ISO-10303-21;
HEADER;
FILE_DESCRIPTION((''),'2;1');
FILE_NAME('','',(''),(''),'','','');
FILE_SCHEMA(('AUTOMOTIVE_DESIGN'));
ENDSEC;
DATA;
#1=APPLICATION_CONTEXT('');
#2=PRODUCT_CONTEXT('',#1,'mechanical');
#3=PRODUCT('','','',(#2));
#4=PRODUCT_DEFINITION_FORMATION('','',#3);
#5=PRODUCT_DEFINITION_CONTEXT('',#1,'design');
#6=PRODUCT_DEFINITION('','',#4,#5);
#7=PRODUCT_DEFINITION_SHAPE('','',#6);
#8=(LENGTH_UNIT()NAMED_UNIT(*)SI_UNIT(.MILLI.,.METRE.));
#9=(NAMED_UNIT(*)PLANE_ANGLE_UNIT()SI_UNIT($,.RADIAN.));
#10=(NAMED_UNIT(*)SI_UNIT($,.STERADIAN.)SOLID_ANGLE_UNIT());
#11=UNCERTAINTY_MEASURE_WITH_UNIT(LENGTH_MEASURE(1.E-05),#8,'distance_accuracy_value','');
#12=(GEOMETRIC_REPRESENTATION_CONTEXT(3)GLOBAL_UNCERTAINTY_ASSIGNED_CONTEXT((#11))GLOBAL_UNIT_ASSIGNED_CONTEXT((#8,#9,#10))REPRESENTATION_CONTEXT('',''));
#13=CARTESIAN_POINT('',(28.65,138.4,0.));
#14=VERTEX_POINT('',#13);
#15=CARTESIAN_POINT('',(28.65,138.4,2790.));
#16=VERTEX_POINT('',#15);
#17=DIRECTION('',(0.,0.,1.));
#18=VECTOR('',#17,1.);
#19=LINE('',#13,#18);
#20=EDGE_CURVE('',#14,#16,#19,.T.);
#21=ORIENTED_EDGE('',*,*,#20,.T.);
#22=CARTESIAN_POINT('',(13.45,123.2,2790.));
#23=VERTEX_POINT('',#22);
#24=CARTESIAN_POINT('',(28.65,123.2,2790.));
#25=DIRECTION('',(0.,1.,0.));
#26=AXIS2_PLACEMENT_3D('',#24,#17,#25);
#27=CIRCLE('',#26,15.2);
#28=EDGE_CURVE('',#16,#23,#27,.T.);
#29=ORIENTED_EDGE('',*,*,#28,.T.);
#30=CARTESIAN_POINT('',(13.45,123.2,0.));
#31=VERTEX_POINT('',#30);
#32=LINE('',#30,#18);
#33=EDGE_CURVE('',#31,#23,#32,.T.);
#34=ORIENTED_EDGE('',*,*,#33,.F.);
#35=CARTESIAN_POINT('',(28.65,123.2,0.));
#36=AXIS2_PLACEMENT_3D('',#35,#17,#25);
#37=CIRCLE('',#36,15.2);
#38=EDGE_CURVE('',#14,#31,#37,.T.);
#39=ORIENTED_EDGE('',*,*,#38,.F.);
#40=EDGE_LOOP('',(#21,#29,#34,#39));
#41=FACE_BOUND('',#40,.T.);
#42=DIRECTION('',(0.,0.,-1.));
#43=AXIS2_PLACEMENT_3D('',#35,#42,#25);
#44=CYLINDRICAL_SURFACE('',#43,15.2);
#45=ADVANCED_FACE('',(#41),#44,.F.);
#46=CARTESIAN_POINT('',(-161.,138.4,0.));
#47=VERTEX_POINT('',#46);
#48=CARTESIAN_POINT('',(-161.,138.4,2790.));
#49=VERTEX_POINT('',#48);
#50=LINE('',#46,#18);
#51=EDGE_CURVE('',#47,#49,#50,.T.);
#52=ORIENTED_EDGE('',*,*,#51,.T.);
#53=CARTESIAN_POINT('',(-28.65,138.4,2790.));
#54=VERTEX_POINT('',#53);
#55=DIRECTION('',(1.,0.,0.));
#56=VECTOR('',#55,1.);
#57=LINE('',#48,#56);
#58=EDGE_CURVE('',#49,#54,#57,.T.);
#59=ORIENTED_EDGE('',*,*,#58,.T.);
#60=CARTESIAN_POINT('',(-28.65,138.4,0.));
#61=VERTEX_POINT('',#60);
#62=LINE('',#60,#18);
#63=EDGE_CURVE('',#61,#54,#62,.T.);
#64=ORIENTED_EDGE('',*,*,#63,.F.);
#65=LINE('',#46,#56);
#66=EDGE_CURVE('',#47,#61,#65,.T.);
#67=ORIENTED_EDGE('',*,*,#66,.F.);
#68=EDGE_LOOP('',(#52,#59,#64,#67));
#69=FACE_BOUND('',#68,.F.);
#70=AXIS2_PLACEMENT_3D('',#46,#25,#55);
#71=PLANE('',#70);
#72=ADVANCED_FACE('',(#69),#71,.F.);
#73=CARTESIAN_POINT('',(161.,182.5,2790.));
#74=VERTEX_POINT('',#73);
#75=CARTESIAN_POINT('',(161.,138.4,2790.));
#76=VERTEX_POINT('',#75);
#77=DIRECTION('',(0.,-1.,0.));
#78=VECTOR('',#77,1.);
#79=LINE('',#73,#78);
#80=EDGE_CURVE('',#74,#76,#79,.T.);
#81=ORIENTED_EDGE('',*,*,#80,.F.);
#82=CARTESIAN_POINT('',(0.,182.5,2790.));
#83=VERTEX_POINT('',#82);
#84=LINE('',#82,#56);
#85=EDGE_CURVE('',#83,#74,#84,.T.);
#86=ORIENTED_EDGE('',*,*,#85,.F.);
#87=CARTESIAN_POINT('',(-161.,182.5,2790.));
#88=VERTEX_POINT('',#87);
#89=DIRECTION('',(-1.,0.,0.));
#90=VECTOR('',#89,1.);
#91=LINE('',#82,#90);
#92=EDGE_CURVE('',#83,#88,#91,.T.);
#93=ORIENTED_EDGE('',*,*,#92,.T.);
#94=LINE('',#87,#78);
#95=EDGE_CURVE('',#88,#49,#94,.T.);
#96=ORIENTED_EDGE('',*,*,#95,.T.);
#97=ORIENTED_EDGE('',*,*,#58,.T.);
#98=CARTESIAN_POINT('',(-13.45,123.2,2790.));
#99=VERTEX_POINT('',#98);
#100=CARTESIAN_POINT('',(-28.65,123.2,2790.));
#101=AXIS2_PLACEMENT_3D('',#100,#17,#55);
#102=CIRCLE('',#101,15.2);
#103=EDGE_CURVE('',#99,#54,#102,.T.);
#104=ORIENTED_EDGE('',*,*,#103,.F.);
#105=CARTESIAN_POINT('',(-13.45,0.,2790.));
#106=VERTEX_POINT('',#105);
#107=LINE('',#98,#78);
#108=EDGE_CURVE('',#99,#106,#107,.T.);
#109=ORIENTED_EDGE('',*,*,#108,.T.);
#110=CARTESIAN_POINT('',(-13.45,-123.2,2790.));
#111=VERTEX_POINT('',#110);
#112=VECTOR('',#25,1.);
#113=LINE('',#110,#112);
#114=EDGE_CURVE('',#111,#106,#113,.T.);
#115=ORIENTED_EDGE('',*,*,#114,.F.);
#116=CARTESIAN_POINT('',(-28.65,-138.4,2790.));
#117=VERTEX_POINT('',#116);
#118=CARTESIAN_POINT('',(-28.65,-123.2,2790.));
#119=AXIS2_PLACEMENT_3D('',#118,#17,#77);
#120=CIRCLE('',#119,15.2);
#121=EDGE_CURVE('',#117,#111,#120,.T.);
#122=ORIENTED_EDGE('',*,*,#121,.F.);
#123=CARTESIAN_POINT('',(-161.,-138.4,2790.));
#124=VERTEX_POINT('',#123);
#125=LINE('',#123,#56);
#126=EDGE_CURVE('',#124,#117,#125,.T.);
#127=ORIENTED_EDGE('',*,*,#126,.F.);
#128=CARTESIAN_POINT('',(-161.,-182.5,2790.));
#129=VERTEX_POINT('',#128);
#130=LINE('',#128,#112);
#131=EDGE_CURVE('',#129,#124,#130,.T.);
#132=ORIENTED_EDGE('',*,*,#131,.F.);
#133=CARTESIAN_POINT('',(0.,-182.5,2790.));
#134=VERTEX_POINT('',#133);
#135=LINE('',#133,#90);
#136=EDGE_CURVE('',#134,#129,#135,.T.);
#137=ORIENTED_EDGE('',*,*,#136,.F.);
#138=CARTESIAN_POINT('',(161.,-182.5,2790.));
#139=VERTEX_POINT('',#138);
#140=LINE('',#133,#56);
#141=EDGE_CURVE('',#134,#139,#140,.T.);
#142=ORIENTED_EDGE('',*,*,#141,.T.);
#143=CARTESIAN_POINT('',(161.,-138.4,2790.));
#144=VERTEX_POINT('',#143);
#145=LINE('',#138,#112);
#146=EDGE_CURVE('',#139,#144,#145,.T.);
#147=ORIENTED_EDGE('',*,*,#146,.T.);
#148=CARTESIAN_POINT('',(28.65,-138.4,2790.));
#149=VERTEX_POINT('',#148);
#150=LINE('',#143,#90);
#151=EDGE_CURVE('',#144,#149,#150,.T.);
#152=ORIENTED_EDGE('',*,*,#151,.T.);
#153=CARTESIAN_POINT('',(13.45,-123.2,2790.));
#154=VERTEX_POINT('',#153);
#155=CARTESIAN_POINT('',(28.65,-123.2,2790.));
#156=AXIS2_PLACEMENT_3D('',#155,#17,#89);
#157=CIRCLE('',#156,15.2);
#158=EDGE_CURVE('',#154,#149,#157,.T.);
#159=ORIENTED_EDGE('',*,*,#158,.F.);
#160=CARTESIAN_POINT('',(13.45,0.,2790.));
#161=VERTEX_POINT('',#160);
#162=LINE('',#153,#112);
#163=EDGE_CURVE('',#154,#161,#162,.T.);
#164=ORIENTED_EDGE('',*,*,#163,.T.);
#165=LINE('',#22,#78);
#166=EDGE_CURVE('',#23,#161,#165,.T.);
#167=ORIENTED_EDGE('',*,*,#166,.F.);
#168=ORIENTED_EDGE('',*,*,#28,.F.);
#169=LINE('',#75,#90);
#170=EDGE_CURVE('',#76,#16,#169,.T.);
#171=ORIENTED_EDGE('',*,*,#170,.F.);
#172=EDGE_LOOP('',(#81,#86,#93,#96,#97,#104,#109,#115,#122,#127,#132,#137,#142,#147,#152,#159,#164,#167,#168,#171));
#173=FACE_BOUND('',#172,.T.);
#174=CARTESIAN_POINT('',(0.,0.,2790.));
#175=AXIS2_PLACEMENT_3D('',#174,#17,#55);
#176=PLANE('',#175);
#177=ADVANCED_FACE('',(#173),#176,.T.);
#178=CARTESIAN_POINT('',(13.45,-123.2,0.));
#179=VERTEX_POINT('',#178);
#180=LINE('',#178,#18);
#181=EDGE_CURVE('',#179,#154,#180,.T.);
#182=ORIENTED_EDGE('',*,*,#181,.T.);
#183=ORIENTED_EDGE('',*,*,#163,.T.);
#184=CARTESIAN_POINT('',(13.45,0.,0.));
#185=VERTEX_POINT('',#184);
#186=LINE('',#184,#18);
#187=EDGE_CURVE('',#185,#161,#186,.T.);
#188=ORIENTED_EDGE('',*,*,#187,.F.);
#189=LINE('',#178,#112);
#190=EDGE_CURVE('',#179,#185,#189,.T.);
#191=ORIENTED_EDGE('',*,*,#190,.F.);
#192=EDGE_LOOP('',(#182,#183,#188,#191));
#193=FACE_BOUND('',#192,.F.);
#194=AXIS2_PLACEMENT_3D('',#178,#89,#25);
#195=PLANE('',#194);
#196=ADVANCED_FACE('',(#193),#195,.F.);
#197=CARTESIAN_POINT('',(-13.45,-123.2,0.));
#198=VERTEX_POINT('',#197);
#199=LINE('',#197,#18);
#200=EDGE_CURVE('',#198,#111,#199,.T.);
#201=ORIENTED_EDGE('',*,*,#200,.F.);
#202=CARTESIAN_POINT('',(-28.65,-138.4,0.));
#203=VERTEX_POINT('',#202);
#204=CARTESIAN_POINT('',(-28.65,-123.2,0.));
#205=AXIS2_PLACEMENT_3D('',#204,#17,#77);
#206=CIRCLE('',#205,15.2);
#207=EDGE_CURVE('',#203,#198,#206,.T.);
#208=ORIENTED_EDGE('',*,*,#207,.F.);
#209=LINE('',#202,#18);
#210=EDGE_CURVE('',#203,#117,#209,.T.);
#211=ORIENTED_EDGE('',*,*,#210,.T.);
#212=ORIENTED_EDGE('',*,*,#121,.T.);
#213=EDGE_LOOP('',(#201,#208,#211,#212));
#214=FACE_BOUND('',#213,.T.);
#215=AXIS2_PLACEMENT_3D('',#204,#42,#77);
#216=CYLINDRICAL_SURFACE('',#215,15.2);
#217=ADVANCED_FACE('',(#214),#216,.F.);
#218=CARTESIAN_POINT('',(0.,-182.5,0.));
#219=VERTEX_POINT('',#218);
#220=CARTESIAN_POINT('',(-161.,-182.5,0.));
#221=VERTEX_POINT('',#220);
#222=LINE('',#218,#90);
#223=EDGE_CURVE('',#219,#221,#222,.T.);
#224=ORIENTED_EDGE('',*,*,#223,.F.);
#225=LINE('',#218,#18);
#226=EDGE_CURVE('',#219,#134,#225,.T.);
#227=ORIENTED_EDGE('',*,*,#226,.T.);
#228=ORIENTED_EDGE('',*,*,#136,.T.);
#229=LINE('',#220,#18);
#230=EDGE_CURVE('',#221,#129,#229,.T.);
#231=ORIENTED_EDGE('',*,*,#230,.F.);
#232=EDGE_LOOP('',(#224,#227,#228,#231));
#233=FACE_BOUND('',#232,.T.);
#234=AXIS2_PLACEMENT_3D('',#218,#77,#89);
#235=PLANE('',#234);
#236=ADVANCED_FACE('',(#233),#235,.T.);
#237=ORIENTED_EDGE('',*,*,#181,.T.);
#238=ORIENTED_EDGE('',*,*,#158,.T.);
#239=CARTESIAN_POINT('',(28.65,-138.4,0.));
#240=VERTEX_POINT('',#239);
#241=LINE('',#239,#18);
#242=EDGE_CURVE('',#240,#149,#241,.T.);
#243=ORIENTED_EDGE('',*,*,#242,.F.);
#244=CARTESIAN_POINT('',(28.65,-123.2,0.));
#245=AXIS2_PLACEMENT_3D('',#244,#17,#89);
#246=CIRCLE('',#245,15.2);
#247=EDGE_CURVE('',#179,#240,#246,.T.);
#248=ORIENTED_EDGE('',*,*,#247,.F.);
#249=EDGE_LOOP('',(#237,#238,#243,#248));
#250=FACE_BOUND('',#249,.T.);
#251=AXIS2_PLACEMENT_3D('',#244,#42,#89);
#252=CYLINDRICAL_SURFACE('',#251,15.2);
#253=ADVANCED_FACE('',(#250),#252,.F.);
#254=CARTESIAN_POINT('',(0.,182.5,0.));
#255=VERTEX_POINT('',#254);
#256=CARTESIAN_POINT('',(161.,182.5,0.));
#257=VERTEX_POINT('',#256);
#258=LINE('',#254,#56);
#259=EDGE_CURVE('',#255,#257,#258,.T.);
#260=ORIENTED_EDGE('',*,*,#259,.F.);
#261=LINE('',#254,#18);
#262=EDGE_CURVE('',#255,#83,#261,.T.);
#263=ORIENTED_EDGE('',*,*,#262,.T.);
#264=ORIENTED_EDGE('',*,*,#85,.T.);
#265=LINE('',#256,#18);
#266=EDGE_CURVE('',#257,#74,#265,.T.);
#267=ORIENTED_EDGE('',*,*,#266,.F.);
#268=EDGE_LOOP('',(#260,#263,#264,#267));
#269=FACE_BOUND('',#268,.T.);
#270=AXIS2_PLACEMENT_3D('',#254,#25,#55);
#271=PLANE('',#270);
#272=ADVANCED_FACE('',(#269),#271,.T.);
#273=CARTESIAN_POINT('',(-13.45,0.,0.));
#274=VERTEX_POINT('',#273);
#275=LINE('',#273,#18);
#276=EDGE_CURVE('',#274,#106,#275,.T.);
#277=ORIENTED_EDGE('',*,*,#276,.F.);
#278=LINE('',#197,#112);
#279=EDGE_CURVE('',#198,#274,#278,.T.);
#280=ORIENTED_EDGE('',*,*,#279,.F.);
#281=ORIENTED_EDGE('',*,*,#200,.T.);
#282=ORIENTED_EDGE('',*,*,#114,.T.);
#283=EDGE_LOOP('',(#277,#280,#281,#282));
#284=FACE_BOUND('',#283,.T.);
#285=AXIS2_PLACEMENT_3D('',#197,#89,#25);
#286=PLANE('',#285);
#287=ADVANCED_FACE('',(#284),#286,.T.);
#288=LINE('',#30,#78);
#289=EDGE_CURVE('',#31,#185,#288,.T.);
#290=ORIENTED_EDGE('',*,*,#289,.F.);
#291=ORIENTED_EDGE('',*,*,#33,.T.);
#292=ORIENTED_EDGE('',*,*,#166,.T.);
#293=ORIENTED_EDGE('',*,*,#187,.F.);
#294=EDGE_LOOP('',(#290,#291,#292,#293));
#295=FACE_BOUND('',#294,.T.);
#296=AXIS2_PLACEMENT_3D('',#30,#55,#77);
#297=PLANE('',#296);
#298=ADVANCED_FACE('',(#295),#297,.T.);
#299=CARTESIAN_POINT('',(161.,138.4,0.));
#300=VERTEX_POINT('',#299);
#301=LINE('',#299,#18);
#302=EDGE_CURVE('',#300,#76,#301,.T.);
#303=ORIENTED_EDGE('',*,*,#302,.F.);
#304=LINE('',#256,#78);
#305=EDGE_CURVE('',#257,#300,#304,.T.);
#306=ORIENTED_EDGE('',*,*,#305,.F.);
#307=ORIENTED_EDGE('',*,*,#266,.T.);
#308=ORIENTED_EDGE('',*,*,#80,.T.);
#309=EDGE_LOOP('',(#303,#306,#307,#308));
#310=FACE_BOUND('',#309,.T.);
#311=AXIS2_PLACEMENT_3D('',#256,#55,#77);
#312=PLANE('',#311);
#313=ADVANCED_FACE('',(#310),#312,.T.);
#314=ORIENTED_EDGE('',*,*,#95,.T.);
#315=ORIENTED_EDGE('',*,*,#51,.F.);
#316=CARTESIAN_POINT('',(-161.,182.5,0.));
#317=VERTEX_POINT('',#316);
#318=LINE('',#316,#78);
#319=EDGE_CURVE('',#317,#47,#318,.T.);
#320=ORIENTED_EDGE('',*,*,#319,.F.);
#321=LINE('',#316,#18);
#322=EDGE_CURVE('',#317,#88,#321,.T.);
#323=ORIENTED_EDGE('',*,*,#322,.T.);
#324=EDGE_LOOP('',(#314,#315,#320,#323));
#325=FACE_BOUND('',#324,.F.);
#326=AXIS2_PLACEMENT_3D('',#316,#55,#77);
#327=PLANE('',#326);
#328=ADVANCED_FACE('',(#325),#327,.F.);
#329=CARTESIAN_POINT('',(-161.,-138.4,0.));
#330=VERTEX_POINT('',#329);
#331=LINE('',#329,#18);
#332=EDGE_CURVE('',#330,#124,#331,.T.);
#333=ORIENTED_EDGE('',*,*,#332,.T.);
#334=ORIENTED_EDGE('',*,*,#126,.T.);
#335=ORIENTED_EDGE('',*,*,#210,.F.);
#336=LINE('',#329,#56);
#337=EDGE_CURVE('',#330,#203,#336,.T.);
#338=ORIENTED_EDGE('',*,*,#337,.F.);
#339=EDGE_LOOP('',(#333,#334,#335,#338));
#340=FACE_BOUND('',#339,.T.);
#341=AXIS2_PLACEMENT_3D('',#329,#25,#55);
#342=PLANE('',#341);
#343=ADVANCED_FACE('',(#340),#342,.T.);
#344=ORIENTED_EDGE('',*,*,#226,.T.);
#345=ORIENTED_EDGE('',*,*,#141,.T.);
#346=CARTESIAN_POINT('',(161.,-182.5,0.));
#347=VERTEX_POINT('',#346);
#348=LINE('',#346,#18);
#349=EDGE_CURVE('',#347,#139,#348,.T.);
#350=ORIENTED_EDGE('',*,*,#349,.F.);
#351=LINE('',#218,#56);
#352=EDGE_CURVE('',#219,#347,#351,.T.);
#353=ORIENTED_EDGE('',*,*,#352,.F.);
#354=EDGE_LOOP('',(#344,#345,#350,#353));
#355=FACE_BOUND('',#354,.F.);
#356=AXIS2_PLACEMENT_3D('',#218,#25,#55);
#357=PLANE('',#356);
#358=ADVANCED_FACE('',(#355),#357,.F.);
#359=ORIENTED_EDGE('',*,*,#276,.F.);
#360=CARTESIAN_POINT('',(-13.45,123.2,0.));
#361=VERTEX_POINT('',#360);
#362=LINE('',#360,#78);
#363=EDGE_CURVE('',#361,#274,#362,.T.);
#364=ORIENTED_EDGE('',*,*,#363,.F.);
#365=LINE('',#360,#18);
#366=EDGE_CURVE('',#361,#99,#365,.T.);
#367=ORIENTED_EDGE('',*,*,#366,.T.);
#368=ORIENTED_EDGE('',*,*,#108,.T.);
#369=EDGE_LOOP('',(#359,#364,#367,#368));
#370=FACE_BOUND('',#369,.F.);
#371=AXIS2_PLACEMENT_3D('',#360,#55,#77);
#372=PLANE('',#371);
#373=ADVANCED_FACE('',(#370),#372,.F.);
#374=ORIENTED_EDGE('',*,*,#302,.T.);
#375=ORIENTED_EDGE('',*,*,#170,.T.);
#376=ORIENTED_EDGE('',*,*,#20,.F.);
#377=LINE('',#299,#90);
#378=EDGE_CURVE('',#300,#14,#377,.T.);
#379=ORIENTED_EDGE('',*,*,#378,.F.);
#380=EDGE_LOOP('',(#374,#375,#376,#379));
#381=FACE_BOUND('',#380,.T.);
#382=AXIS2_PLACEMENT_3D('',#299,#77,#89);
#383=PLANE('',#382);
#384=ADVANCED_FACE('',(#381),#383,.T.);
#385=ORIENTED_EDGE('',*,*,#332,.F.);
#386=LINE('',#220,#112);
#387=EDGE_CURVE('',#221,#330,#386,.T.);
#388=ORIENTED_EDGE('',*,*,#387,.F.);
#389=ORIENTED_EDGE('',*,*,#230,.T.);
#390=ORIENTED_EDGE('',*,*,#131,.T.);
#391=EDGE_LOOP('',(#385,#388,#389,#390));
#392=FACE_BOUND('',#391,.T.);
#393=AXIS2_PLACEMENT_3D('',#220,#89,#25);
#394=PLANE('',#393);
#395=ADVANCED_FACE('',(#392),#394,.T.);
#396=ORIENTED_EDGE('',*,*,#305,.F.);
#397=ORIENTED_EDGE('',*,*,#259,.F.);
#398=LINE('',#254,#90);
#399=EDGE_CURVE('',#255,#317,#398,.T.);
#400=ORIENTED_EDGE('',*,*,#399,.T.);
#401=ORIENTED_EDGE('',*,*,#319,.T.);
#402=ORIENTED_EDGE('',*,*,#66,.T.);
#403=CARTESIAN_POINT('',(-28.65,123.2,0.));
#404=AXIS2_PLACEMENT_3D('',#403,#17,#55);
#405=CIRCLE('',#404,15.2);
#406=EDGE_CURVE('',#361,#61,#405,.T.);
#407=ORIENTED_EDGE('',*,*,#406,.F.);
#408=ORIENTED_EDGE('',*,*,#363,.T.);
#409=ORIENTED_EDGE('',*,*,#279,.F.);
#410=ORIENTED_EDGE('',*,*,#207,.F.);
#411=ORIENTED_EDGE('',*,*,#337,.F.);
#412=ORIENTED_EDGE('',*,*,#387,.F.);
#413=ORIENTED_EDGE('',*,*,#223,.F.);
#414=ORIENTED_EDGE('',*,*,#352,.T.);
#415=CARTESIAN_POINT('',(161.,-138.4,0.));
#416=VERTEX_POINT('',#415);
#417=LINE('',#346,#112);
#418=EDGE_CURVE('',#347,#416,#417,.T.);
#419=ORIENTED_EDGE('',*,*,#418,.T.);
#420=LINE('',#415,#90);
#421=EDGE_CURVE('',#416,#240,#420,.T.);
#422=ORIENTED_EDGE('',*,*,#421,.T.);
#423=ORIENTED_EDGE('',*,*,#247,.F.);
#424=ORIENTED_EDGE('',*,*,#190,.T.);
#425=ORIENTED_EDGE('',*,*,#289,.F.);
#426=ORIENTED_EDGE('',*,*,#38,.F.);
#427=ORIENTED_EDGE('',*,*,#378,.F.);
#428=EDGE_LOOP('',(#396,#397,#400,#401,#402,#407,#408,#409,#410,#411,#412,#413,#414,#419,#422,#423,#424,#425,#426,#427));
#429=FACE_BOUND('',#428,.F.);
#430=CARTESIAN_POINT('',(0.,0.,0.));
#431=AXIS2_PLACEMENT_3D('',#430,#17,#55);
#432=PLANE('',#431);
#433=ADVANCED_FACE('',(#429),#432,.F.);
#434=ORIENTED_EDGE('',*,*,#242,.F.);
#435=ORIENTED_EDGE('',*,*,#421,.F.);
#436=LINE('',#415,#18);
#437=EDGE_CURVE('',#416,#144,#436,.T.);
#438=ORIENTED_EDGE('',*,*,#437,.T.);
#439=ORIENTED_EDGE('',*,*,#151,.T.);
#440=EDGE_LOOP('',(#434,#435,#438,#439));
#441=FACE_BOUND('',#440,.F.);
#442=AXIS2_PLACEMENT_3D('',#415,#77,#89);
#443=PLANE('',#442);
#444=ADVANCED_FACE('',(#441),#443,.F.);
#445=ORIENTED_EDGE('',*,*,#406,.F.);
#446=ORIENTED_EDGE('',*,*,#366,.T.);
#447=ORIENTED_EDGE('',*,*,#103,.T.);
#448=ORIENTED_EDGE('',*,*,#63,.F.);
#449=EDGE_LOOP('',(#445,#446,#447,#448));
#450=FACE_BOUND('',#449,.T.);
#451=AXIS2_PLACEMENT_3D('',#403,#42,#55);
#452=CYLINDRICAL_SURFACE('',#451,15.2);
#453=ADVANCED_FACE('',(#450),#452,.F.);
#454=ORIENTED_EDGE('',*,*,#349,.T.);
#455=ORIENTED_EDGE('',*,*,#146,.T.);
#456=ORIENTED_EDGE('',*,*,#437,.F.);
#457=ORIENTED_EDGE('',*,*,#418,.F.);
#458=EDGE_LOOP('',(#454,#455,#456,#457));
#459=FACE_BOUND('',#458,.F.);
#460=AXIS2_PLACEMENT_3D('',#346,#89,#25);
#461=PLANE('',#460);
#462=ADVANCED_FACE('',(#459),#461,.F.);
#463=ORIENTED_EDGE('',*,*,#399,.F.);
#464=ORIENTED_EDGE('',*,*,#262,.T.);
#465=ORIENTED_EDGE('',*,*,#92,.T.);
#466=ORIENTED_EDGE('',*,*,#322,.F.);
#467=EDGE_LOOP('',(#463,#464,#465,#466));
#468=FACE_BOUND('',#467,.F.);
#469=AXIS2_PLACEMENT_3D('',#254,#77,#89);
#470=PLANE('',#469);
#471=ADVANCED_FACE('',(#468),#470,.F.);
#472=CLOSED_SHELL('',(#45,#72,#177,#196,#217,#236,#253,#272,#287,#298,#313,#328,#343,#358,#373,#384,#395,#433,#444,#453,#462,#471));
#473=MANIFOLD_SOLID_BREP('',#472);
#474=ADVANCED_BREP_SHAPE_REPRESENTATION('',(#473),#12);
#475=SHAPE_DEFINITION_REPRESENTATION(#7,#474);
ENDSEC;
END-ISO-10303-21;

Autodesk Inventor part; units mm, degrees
ref_plane "YZ Plane" through (0, 0, 0) normal (1, 0, 0) x (0, 1, 0)
ref_plane "Start plane" through (0, 0, 0) normal (0, 0, 1) x (1, 0, 0)
ref_plane "End plane" through (0, 0, 2790) normal (0, 0, 1) x (1, 0, 0)
sketch "Sketch" plane through (0, 0, 0) normal (0, 0, 1) x (1, 0, 0)
  line L0 (-161, -182.5) -> (-161, -138.4)
  line L1 (-161, -138.4) -> (-28.65, -138.4)
  line L2 (-13.45, -123.2) -> (-13.45, 0)
  line L3 (-13.45, 0) -> (0, 0) construction
  line L4 (0, 0) -> (0, -182.5) construction
  line L5 (0, -182.5) -> (-161, -182.5)
  line L6 (-60, 0) -> (80, 0) construction
  line L7 (0, -60) -> (0, 80) construction
  line L8 (161, -182.5) -> (161, -138.4)
  line L9 (161, -138.4) -> (28.65, -138.4)
  line L10 (13.45, -123.2) -> (13.45, 0)
  line L11 (13.45, 0) -> (0, 0) construction
  line L12 (0, -182.5) -> (161, -182.5)
  line L13 (-161, 182.5) -> (-161, 138.4)
  line L14 (-161, 138.4) -> (-28.65, 138.4)
  line L15 (-13.45, 123.2) -> (-13.45, 0)
  line L16 (0, 182.5) -> (-161, 182.5)
  line L17 (161, 182.5) -> (161, 138.4)
  line L18 (161, 138.4) -> (28.65, 138.4)
  line L19 (0, 182.5) -> (161, 182.5)
  line L20 (13.45, 123.2) -> (13.45, 0)
  arc A0 (-13.45, 123.2) -> (-28.65, 138.4) centre (-28.65, 123.2) ccw
  arc A1 (28.65, 138.4) -> (13.45, 123.2) centre (28.65, 123.2) ccw
  arc A2 (13.45, -123.2) -> (28.65, -138.4) centre (28.65, -123.2) ccw
  arc A3 (-28.65, -138.4) -> (-13.45, -123.2) centre (-28.65, -123.2) ccw
  line L21 (0, 108) -> (0, -88) construction
  line L22 (-88, 0) -> (108, 0) construction
  point P0 (-13.45, -138.4)
  point P1 (13.45, -138.4)
  point P2 (-13.45, 138.4)
  point P3 (13.45, 138.4)
  dimension "d1" = 182.5
  dimension "d2" = 44.1
  dimension "d3" = 161
  dimension "d4" = 13.45
  dimension "d10" = 15.2
extrude "Body" add sketch "Sketch" along normal up to surface (2790 mm away) from surface at 0
sketch "Sketch4" plane through (0, 0, 0) normal (0, 0, 1) x (1, 0, 0)
  line L0 (0, 0) -> (10, 0)
ref_plane "Work Plane3" through (0, 0, 0) normal (0, -1, 0) x (1, 0, 0)
sketch "Sketch5" plane through (0, 0, 0) normal (0, -1, 0) x (1, 0, 0)
  line L0 (-2, 0) -> (12, 0) projected
  line L1 (-2, 2790) -> (12, 2790) projected
  dimension "d14" = 2790
equation "\"d1\" = 0.5 * G_H"
equation "\"d2\" = G_T1"
equation "\"d3\" = 0.5 * G_W"
equation "\"d4\" = 0.5 * G_T"
equation "\"d10\" = G_IR"
equation "\"d5\" = G_L"
equation "\"G_W\" = 322"
equation "\"G_H\" = 365"
equation "\"G_T\" = 26.9"
equation "\"G_T1\" = 44.1"
equation "\"G_IR\" = 15.2"
equation "\"G_L\" = d14"
equation "\"G_OFFSET_START\" = 0"
equation "\"G_OFFSET_END\" = 0"
properties part number "AS 3679 - 310 UC - 283 - 2790" material "Steel, Mild"
